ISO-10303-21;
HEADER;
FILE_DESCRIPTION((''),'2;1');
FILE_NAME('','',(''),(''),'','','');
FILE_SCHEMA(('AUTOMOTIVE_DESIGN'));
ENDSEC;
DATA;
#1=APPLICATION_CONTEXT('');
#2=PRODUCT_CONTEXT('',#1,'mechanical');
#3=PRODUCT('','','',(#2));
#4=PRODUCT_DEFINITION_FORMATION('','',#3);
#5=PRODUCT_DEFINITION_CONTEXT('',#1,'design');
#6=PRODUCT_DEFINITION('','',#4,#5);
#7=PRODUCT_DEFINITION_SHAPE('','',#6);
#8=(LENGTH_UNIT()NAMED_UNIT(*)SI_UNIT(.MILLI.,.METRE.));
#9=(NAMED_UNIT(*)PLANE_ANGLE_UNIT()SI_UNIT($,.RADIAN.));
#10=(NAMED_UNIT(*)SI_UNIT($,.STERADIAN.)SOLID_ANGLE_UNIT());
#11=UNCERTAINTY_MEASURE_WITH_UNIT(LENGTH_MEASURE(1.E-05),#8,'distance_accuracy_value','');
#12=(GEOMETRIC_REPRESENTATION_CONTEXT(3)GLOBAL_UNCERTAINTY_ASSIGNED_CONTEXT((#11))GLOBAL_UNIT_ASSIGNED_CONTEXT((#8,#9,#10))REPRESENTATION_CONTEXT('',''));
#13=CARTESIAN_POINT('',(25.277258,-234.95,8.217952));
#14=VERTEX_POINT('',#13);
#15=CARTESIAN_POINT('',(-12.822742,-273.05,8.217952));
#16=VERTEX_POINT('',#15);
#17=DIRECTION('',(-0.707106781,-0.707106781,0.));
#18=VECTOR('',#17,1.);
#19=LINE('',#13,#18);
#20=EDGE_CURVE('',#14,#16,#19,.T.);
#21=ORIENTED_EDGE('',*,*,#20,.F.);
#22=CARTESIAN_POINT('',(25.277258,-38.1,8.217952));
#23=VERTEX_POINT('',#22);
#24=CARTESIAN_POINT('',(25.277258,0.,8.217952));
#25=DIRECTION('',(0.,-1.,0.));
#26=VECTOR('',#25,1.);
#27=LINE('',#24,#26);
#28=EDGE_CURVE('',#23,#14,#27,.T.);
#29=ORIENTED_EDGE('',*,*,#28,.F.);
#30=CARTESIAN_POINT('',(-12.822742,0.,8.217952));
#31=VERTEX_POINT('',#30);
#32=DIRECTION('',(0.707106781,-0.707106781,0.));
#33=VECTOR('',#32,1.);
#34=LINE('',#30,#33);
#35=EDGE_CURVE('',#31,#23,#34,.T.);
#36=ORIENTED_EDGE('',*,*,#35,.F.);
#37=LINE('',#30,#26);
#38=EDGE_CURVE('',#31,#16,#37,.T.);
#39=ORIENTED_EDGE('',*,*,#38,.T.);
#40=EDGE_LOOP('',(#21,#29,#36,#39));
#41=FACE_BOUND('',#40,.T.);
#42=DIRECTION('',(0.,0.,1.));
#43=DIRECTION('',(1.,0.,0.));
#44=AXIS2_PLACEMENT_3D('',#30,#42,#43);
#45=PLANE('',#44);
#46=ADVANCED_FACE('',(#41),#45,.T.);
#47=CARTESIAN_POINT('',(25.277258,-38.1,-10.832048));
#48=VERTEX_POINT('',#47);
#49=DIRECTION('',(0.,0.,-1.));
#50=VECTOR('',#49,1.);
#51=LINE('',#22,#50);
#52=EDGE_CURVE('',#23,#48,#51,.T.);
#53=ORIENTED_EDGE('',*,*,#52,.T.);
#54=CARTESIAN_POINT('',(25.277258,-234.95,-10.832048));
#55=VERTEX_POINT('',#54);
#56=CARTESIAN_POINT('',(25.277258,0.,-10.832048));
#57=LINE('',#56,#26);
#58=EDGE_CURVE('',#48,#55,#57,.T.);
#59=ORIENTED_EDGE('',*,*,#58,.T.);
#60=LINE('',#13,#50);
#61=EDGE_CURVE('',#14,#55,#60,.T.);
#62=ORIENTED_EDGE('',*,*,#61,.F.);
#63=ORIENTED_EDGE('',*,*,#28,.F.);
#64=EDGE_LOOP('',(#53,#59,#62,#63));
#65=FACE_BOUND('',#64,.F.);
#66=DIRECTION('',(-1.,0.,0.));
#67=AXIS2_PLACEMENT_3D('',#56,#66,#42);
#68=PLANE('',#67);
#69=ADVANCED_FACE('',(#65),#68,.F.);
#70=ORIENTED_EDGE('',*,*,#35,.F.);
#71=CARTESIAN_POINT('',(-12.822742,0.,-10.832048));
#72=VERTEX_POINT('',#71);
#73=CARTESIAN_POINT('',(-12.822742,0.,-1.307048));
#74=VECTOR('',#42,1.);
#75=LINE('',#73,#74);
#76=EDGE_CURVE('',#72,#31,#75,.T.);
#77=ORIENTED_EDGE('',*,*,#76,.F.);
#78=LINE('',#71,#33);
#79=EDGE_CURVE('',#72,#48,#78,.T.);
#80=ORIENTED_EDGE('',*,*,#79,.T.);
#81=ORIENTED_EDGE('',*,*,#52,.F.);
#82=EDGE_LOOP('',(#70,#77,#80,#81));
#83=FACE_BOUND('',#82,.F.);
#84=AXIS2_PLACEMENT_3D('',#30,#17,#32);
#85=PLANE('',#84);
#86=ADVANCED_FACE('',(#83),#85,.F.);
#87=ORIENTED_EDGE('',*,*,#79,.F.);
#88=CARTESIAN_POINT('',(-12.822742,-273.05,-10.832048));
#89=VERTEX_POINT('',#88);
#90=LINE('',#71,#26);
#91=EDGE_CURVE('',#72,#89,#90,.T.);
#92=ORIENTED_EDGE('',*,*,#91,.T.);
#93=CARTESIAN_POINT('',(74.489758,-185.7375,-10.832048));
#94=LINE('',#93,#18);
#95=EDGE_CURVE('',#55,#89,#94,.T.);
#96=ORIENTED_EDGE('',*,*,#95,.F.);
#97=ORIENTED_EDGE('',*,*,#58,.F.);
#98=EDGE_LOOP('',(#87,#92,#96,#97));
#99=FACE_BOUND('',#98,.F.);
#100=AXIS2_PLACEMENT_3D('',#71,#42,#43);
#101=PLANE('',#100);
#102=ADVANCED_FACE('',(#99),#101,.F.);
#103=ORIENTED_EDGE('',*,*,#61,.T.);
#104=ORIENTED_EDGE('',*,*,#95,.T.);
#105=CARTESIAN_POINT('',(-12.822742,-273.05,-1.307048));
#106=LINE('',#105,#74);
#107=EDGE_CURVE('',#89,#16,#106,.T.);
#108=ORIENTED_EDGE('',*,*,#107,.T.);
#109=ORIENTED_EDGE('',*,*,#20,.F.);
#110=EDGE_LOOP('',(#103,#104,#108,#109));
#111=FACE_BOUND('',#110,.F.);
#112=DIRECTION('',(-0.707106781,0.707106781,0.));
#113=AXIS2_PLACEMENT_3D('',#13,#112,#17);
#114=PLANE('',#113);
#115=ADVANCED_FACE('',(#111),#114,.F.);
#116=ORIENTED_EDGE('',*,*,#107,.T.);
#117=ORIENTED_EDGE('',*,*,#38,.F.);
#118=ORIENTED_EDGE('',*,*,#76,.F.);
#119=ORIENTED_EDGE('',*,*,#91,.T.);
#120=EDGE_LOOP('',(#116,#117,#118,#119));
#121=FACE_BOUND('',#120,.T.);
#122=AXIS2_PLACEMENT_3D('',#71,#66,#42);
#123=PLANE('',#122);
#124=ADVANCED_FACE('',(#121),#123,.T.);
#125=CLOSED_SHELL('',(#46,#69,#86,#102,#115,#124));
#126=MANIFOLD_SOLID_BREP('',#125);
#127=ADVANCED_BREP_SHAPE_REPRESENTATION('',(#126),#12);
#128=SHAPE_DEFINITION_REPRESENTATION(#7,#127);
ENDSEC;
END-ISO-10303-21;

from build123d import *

# Parameters (mm, degrees)
F0_W     = 38.1
F0_H     = 19.05
F1_DEPTH = 273.05
F3_DEPTH = 25.4


with BuildPart() as f1:
    # F0 (on Front) → F1 (new body)
    with BuildSketch(Plane.XZ):
        with Locations((6.227258, -1.307048)):
            Rectangle(F0_W, F0_H)
    extrude(amount=F1_DEPTH)

    # F2 (on face) → F3 (cut)
    with BuildSketch(Plane.XY.offset(8.217952)):
        Polygon((25.277258, -234.95), (-12.822742, -273.05), (25.277258, -273.05), align=None)
        Polygon((25.277258, -38.1), (25.277258, 0), (-12.822742, 0), align=None)
    extrude(amount=-F3_DEPTH, mode=Mode.SUBTRACT)


solid = f1.part
